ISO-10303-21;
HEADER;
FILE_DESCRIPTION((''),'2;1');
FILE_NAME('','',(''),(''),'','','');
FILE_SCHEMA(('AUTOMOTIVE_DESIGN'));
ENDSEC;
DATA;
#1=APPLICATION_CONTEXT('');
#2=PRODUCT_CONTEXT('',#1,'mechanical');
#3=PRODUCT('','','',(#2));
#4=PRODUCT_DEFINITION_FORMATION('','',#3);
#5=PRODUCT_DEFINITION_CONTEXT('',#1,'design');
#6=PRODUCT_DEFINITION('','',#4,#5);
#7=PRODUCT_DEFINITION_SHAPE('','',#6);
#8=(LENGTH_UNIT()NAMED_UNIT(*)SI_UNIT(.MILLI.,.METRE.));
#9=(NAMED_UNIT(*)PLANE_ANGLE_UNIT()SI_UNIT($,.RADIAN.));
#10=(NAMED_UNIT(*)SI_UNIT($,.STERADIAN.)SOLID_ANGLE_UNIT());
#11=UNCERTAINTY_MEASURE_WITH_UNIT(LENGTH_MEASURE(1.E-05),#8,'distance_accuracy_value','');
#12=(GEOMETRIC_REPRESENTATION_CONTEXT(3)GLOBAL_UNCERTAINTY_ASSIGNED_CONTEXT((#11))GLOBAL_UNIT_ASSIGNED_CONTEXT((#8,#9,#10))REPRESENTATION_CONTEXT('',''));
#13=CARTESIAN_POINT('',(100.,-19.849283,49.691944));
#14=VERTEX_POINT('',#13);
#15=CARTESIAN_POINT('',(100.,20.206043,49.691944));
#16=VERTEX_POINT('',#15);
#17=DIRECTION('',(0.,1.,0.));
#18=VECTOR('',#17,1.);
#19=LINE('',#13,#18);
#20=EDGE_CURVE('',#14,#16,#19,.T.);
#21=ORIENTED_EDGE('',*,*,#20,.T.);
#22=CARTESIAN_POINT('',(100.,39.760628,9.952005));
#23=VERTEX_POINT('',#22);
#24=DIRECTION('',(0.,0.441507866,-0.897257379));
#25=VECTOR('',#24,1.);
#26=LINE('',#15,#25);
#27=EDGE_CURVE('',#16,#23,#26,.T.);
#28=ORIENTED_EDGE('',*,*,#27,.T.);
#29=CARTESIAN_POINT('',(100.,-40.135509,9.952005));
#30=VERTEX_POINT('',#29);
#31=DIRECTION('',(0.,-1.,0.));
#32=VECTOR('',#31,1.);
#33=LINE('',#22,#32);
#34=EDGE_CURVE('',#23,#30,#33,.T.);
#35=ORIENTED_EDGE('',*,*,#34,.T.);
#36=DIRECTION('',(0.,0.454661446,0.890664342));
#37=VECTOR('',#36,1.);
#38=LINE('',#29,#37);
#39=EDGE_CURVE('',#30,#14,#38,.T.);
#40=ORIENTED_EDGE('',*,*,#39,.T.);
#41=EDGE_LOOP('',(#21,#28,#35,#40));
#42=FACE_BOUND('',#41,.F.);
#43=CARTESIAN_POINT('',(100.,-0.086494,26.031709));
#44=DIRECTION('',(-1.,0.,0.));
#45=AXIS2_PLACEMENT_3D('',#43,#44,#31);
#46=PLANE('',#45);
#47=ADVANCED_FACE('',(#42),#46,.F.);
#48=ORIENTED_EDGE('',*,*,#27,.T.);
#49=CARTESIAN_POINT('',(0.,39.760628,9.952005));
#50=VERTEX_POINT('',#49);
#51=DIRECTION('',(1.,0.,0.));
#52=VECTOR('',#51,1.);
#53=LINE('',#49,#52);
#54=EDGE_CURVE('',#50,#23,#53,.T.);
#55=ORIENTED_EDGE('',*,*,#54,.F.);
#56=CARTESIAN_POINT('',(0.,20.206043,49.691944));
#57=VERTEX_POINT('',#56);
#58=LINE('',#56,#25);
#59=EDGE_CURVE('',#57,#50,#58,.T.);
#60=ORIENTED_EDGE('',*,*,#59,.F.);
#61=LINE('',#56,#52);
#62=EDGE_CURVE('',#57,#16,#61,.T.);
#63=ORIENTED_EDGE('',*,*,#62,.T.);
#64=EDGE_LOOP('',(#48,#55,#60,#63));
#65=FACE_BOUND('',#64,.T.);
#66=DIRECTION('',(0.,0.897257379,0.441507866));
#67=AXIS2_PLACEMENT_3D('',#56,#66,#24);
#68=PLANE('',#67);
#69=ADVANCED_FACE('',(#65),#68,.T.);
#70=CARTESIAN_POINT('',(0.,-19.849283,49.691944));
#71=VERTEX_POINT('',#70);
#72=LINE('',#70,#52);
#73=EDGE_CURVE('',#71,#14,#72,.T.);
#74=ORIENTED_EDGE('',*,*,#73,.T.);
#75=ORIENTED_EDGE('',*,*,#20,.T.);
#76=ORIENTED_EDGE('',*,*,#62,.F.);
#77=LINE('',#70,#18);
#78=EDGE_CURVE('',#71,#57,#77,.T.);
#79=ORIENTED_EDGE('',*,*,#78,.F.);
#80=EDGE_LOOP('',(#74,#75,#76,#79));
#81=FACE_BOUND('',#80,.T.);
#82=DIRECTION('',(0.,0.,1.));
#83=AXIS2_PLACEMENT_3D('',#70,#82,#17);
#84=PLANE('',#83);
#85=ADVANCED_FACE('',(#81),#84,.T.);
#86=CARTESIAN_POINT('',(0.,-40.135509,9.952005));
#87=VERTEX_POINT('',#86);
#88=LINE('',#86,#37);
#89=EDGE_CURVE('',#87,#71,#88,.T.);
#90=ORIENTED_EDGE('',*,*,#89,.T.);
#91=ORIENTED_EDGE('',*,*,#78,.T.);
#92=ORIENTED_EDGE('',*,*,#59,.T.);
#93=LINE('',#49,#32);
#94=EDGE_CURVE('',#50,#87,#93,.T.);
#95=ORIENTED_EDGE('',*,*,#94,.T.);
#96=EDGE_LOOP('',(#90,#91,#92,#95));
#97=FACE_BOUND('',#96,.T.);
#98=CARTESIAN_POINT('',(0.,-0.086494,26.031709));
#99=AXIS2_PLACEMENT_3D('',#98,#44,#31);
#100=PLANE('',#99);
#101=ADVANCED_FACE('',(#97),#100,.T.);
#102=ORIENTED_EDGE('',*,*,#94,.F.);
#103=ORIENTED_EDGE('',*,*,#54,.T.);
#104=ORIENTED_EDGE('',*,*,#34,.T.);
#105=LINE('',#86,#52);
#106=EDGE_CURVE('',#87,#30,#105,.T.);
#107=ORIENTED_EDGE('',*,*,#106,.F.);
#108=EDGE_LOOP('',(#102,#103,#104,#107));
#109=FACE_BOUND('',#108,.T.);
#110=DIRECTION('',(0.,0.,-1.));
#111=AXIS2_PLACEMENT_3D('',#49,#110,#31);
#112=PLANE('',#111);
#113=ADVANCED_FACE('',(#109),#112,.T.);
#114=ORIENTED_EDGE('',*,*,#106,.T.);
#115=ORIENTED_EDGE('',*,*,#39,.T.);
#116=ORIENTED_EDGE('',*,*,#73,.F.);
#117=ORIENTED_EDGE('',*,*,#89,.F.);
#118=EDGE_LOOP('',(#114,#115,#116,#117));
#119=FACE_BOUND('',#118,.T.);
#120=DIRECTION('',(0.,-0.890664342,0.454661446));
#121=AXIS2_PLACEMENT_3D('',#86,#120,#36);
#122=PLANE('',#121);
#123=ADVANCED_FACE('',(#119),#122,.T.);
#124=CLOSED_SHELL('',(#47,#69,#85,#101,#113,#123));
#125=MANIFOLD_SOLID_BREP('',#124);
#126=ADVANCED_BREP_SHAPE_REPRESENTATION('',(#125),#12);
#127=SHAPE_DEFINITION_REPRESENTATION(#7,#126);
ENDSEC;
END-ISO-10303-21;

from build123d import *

# Parameters (mm, degrees)
PAD_DEPTH = 100


with BuildPart() as part:
    # Sketch → Pad (new body)
    with BuildSketch(Plane.YZ):
        Polygon((-40.135509, 9.952005), (-19.849283, 49.691944), (20.206043, 49.691944), (39.760628, 9.952005), align=None)
    extrude(amount=PAD_DEPTH)


solid = part.part
